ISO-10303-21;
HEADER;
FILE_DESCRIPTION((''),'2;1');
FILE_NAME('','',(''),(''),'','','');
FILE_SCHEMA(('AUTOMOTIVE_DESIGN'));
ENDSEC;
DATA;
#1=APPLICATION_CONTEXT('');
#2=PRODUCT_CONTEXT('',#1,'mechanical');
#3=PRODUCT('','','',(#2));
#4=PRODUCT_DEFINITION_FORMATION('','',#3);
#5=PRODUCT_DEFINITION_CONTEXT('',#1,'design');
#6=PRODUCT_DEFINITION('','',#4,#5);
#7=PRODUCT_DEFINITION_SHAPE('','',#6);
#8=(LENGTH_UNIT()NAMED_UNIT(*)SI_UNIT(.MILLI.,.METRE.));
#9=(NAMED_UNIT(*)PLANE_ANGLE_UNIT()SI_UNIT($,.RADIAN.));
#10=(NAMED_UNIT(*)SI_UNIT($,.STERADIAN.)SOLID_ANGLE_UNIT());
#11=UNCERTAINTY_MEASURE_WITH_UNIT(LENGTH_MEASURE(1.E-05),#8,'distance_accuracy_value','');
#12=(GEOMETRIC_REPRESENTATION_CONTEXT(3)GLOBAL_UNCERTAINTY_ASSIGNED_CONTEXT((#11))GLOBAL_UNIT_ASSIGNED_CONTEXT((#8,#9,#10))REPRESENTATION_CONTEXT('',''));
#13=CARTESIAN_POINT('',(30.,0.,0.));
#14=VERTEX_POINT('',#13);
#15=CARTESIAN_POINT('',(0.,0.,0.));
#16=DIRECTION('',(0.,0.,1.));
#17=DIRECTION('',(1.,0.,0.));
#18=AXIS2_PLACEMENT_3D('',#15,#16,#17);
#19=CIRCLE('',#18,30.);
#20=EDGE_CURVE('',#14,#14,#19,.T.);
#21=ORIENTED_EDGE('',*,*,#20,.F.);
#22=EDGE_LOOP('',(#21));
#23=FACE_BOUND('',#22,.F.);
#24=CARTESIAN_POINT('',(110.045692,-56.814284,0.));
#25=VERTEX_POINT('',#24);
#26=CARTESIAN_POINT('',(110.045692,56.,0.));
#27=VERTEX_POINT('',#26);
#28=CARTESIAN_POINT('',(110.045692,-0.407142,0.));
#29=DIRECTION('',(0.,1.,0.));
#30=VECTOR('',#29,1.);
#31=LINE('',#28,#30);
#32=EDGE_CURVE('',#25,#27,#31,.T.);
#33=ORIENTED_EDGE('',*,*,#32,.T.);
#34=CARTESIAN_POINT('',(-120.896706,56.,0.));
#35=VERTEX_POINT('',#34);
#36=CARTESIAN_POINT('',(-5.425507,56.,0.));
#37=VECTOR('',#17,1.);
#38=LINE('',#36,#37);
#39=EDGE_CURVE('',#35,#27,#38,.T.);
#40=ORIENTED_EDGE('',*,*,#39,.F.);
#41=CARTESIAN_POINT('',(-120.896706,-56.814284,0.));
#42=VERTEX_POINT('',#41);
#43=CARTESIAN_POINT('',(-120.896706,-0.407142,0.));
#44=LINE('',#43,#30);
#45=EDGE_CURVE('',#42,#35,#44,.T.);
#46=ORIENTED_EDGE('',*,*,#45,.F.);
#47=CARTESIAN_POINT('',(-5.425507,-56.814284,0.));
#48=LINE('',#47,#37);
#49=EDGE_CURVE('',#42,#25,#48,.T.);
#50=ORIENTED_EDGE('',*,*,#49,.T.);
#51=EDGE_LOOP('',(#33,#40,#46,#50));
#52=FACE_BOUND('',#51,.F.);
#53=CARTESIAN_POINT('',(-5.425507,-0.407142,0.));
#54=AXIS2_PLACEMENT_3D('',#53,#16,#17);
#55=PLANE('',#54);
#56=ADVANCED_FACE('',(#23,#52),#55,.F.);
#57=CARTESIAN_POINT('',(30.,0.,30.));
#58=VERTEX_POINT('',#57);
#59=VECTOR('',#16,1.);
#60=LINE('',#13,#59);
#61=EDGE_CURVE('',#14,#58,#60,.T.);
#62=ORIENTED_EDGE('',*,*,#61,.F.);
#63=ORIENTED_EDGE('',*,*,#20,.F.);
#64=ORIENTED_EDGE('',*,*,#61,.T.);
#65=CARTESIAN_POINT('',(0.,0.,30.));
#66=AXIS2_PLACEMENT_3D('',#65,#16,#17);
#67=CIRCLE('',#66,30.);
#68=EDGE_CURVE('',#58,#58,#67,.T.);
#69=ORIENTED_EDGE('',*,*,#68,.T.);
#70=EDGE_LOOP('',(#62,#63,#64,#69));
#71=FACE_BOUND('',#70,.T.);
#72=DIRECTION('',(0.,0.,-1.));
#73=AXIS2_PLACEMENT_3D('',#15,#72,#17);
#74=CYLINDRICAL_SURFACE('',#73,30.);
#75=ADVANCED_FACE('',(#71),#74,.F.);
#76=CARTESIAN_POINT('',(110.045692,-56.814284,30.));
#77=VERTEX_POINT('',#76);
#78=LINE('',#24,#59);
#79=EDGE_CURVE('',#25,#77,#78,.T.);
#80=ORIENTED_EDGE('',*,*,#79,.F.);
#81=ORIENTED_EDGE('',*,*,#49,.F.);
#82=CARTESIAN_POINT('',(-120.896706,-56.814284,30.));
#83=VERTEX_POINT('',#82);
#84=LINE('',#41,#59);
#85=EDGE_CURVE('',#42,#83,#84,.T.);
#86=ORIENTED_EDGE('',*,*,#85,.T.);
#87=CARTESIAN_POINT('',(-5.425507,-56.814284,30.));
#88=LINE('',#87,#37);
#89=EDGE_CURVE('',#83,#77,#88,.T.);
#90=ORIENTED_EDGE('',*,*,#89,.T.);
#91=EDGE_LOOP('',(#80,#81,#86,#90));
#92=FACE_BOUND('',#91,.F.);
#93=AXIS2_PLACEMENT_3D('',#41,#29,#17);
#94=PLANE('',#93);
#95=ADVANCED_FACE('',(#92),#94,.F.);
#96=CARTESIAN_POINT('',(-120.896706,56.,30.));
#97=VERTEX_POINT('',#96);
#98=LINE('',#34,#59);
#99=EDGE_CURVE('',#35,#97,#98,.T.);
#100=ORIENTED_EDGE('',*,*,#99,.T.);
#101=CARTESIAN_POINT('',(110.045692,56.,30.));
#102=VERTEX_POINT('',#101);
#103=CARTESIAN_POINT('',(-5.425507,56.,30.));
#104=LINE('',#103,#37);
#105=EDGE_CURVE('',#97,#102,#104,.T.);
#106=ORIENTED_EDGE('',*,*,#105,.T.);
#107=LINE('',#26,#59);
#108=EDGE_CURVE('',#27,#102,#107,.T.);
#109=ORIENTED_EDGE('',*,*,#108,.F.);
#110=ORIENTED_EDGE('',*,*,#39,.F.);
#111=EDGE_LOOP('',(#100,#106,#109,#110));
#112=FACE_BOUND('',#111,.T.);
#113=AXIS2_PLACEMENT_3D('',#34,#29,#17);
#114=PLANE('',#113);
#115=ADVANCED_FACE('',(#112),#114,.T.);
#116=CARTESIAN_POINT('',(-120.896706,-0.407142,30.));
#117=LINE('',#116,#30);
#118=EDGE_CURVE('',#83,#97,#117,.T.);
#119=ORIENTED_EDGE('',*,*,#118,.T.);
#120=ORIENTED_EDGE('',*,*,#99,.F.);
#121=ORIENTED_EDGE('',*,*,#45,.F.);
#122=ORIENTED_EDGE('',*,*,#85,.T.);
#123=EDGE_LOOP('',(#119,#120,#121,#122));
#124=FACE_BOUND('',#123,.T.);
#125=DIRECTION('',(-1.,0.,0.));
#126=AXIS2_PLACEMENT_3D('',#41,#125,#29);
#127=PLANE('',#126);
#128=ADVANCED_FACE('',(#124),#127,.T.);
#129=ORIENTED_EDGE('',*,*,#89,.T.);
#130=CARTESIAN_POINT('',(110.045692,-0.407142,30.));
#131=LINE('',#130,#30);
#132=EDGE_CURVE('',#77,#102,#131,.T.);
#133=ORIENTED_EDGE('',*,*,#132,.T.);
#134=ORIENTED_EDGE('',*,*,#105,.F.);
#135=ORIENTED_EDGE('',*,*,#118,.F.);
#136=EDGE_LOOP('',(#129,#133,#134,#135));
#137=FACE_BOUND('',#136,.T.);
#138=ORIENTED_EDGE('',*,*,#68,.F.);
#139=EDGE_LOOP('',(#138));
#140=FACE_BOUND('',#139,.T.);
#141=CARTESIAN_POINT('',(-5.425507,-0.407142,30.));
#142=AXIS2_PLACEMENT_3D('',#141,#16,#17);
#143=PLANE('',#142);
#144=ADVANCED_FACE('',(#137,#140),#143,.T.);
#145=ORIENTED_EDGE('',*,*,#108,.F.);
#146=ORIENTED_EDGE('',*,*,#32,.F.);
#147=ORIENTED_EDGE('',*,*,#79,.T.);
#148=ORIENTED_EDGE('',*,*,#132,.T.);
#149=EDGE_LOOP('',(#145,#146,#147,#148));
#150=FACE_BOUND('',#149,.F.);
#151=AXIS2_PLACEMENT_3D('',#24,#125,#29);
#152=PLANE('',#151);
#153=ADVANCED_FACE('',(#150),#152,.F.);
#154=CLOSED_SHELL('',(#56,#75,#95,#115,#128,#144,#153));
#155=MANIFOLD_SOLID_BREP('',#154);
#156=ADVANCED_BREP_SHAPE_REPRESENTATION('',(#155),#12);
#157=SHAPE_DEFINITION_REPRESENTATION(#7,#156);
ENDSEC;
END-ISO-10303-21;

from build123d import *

# Parameters (mm, degrees)
SKETCH_W  = 230.942398
SKETCH_H  = 112.814285
SKETCH_R  = 30
PAD_DEPTH = 30


with BuildPart() as part:
    # Sketch → Pad (new body)
    with BuildSketch(Plane.XY):
        with Locations((-5.425507, -0.407142)):
            Rectangle(SKETCH_W, SKETCH_H)
        Circle(SKETCH_R, mode=Mode.SUBTRACT)
    extrude(amount=PAD_DEPTH)


solid = part.part
